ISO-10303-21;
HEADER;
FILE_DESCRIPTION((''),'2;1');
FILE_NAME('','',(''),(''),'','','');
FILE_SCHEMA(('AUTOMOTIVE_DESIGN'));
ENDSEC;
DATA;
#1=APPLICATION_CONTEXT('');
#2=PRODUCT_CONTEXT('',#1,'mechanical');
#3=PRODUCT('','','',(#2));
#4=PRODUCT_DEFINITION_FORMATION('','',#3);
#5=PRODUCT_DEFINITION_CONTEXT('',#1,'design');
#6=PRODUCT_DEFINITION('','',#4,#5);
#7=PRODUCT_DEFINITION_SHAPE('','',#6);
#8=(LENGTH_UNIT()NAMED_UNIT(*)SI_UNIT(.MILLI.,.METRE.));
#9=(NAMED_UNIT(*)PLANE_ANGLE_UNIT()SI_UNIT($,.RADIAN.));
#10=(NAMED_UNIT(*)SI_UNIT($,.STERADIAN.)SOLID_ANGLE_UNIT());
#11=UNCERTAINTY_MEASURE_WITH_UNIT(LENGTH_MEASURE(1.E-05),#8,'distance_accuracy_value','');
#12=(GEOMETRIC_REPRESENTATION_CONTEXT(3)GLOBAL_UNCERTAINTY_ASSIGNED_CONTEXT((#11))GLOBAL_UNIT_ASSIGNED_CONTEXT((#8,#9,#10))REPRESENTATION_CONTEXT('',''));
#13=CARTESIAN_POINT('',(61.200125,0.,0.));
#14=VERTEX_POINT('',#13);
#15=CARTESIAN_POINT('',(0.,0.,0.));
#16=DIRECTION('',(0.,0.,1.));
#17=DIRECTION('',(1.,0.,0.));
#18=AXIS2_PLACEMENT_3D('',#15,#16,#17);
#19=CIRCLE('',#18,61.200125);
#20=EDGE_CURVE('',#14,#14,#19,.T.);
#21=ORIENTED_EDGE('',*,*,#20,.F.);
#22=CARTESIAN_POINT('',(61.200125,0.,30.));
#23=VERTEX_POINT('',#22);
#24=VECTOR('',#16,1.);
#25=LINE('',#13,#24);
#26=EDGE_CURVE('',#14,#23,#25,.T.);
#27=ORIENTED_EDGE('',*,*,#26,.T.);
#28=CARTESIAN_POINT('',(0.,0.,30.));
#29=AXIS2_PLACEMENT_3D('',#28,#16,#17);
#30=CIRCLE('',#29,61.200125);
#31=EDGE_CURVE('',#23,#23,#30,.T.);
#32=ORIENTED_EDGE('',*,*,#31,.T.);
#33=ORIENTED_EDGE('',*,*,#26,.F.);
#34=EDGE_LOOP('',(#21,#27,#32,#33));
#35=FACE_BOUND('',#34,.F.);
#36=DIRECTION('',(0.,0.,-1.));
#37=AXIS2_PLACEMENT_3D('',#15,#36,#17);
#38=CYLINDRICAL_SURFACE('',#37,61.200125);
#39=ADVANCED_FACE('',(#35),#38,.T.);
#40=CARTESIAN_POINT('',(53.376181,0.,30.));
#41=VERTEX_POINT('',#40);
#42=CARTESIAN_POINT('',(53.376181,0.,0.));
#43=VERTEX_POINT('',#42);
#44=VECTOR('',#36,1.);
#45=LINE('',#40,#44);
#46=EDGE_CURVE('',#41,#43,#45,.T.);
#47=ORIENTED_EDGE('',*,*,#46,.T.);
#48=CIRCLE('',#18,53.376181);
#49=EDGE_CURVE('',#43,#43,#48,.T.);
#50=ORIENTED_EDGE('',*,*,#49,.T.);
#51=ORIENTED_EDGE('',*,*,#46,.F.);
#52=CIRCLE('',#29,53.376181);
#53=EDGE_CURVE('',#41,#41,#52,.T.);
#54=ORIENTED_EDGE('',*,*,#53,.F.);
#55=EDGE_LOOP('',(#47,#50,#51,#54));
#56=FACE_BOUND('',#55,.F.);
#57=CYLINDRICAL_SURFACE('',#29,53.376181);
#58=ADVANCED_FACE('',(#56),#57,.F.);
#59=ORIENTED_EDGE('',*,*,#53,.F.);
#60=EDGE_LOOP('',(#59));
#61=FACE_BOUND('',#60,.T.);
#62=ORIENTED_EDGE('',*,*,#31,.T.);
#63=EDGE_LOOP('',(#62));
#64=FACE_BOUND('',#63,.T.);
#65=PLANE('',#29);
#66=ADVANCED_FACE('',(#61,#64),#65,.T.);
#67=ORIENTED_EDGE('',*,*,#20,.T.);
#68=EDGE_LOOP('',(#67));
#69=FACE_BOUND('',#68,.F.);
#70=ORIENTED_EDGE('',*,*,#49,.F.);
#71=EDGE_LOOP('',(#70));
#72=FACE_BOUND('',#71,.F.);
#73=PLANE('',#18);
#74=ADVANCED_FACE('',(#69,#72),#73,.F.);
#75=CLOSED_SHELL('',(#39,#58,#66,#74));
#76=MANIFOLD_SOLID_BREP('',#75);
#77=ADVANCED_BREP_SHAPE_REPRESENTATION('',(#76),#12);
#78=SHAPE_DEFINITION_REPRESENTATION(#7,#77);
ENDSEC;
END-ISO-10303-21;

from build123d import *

# Parameters (mm, degrees)
F0_R     = 61.200125
F1_DEPTH = 30
F2_R     = 53.376181
F3_DEPTH = 45.533195


with BuildPart() as f1:
    # F0 (on Top) → F1 (new body)
    with BuildSketch(Plane.XY):
        Circle(F0_R)
    extrude(amount=F1_DEPTH)

    # F2 (on face) → F3 (cut)
    with BuildSketch(Plane.XY.offset(30)):
        Circle(F2_R)
    extrude(amount=-F3_DEPTH, mode=Mode.SUBTRACT)


solid = f1.part
